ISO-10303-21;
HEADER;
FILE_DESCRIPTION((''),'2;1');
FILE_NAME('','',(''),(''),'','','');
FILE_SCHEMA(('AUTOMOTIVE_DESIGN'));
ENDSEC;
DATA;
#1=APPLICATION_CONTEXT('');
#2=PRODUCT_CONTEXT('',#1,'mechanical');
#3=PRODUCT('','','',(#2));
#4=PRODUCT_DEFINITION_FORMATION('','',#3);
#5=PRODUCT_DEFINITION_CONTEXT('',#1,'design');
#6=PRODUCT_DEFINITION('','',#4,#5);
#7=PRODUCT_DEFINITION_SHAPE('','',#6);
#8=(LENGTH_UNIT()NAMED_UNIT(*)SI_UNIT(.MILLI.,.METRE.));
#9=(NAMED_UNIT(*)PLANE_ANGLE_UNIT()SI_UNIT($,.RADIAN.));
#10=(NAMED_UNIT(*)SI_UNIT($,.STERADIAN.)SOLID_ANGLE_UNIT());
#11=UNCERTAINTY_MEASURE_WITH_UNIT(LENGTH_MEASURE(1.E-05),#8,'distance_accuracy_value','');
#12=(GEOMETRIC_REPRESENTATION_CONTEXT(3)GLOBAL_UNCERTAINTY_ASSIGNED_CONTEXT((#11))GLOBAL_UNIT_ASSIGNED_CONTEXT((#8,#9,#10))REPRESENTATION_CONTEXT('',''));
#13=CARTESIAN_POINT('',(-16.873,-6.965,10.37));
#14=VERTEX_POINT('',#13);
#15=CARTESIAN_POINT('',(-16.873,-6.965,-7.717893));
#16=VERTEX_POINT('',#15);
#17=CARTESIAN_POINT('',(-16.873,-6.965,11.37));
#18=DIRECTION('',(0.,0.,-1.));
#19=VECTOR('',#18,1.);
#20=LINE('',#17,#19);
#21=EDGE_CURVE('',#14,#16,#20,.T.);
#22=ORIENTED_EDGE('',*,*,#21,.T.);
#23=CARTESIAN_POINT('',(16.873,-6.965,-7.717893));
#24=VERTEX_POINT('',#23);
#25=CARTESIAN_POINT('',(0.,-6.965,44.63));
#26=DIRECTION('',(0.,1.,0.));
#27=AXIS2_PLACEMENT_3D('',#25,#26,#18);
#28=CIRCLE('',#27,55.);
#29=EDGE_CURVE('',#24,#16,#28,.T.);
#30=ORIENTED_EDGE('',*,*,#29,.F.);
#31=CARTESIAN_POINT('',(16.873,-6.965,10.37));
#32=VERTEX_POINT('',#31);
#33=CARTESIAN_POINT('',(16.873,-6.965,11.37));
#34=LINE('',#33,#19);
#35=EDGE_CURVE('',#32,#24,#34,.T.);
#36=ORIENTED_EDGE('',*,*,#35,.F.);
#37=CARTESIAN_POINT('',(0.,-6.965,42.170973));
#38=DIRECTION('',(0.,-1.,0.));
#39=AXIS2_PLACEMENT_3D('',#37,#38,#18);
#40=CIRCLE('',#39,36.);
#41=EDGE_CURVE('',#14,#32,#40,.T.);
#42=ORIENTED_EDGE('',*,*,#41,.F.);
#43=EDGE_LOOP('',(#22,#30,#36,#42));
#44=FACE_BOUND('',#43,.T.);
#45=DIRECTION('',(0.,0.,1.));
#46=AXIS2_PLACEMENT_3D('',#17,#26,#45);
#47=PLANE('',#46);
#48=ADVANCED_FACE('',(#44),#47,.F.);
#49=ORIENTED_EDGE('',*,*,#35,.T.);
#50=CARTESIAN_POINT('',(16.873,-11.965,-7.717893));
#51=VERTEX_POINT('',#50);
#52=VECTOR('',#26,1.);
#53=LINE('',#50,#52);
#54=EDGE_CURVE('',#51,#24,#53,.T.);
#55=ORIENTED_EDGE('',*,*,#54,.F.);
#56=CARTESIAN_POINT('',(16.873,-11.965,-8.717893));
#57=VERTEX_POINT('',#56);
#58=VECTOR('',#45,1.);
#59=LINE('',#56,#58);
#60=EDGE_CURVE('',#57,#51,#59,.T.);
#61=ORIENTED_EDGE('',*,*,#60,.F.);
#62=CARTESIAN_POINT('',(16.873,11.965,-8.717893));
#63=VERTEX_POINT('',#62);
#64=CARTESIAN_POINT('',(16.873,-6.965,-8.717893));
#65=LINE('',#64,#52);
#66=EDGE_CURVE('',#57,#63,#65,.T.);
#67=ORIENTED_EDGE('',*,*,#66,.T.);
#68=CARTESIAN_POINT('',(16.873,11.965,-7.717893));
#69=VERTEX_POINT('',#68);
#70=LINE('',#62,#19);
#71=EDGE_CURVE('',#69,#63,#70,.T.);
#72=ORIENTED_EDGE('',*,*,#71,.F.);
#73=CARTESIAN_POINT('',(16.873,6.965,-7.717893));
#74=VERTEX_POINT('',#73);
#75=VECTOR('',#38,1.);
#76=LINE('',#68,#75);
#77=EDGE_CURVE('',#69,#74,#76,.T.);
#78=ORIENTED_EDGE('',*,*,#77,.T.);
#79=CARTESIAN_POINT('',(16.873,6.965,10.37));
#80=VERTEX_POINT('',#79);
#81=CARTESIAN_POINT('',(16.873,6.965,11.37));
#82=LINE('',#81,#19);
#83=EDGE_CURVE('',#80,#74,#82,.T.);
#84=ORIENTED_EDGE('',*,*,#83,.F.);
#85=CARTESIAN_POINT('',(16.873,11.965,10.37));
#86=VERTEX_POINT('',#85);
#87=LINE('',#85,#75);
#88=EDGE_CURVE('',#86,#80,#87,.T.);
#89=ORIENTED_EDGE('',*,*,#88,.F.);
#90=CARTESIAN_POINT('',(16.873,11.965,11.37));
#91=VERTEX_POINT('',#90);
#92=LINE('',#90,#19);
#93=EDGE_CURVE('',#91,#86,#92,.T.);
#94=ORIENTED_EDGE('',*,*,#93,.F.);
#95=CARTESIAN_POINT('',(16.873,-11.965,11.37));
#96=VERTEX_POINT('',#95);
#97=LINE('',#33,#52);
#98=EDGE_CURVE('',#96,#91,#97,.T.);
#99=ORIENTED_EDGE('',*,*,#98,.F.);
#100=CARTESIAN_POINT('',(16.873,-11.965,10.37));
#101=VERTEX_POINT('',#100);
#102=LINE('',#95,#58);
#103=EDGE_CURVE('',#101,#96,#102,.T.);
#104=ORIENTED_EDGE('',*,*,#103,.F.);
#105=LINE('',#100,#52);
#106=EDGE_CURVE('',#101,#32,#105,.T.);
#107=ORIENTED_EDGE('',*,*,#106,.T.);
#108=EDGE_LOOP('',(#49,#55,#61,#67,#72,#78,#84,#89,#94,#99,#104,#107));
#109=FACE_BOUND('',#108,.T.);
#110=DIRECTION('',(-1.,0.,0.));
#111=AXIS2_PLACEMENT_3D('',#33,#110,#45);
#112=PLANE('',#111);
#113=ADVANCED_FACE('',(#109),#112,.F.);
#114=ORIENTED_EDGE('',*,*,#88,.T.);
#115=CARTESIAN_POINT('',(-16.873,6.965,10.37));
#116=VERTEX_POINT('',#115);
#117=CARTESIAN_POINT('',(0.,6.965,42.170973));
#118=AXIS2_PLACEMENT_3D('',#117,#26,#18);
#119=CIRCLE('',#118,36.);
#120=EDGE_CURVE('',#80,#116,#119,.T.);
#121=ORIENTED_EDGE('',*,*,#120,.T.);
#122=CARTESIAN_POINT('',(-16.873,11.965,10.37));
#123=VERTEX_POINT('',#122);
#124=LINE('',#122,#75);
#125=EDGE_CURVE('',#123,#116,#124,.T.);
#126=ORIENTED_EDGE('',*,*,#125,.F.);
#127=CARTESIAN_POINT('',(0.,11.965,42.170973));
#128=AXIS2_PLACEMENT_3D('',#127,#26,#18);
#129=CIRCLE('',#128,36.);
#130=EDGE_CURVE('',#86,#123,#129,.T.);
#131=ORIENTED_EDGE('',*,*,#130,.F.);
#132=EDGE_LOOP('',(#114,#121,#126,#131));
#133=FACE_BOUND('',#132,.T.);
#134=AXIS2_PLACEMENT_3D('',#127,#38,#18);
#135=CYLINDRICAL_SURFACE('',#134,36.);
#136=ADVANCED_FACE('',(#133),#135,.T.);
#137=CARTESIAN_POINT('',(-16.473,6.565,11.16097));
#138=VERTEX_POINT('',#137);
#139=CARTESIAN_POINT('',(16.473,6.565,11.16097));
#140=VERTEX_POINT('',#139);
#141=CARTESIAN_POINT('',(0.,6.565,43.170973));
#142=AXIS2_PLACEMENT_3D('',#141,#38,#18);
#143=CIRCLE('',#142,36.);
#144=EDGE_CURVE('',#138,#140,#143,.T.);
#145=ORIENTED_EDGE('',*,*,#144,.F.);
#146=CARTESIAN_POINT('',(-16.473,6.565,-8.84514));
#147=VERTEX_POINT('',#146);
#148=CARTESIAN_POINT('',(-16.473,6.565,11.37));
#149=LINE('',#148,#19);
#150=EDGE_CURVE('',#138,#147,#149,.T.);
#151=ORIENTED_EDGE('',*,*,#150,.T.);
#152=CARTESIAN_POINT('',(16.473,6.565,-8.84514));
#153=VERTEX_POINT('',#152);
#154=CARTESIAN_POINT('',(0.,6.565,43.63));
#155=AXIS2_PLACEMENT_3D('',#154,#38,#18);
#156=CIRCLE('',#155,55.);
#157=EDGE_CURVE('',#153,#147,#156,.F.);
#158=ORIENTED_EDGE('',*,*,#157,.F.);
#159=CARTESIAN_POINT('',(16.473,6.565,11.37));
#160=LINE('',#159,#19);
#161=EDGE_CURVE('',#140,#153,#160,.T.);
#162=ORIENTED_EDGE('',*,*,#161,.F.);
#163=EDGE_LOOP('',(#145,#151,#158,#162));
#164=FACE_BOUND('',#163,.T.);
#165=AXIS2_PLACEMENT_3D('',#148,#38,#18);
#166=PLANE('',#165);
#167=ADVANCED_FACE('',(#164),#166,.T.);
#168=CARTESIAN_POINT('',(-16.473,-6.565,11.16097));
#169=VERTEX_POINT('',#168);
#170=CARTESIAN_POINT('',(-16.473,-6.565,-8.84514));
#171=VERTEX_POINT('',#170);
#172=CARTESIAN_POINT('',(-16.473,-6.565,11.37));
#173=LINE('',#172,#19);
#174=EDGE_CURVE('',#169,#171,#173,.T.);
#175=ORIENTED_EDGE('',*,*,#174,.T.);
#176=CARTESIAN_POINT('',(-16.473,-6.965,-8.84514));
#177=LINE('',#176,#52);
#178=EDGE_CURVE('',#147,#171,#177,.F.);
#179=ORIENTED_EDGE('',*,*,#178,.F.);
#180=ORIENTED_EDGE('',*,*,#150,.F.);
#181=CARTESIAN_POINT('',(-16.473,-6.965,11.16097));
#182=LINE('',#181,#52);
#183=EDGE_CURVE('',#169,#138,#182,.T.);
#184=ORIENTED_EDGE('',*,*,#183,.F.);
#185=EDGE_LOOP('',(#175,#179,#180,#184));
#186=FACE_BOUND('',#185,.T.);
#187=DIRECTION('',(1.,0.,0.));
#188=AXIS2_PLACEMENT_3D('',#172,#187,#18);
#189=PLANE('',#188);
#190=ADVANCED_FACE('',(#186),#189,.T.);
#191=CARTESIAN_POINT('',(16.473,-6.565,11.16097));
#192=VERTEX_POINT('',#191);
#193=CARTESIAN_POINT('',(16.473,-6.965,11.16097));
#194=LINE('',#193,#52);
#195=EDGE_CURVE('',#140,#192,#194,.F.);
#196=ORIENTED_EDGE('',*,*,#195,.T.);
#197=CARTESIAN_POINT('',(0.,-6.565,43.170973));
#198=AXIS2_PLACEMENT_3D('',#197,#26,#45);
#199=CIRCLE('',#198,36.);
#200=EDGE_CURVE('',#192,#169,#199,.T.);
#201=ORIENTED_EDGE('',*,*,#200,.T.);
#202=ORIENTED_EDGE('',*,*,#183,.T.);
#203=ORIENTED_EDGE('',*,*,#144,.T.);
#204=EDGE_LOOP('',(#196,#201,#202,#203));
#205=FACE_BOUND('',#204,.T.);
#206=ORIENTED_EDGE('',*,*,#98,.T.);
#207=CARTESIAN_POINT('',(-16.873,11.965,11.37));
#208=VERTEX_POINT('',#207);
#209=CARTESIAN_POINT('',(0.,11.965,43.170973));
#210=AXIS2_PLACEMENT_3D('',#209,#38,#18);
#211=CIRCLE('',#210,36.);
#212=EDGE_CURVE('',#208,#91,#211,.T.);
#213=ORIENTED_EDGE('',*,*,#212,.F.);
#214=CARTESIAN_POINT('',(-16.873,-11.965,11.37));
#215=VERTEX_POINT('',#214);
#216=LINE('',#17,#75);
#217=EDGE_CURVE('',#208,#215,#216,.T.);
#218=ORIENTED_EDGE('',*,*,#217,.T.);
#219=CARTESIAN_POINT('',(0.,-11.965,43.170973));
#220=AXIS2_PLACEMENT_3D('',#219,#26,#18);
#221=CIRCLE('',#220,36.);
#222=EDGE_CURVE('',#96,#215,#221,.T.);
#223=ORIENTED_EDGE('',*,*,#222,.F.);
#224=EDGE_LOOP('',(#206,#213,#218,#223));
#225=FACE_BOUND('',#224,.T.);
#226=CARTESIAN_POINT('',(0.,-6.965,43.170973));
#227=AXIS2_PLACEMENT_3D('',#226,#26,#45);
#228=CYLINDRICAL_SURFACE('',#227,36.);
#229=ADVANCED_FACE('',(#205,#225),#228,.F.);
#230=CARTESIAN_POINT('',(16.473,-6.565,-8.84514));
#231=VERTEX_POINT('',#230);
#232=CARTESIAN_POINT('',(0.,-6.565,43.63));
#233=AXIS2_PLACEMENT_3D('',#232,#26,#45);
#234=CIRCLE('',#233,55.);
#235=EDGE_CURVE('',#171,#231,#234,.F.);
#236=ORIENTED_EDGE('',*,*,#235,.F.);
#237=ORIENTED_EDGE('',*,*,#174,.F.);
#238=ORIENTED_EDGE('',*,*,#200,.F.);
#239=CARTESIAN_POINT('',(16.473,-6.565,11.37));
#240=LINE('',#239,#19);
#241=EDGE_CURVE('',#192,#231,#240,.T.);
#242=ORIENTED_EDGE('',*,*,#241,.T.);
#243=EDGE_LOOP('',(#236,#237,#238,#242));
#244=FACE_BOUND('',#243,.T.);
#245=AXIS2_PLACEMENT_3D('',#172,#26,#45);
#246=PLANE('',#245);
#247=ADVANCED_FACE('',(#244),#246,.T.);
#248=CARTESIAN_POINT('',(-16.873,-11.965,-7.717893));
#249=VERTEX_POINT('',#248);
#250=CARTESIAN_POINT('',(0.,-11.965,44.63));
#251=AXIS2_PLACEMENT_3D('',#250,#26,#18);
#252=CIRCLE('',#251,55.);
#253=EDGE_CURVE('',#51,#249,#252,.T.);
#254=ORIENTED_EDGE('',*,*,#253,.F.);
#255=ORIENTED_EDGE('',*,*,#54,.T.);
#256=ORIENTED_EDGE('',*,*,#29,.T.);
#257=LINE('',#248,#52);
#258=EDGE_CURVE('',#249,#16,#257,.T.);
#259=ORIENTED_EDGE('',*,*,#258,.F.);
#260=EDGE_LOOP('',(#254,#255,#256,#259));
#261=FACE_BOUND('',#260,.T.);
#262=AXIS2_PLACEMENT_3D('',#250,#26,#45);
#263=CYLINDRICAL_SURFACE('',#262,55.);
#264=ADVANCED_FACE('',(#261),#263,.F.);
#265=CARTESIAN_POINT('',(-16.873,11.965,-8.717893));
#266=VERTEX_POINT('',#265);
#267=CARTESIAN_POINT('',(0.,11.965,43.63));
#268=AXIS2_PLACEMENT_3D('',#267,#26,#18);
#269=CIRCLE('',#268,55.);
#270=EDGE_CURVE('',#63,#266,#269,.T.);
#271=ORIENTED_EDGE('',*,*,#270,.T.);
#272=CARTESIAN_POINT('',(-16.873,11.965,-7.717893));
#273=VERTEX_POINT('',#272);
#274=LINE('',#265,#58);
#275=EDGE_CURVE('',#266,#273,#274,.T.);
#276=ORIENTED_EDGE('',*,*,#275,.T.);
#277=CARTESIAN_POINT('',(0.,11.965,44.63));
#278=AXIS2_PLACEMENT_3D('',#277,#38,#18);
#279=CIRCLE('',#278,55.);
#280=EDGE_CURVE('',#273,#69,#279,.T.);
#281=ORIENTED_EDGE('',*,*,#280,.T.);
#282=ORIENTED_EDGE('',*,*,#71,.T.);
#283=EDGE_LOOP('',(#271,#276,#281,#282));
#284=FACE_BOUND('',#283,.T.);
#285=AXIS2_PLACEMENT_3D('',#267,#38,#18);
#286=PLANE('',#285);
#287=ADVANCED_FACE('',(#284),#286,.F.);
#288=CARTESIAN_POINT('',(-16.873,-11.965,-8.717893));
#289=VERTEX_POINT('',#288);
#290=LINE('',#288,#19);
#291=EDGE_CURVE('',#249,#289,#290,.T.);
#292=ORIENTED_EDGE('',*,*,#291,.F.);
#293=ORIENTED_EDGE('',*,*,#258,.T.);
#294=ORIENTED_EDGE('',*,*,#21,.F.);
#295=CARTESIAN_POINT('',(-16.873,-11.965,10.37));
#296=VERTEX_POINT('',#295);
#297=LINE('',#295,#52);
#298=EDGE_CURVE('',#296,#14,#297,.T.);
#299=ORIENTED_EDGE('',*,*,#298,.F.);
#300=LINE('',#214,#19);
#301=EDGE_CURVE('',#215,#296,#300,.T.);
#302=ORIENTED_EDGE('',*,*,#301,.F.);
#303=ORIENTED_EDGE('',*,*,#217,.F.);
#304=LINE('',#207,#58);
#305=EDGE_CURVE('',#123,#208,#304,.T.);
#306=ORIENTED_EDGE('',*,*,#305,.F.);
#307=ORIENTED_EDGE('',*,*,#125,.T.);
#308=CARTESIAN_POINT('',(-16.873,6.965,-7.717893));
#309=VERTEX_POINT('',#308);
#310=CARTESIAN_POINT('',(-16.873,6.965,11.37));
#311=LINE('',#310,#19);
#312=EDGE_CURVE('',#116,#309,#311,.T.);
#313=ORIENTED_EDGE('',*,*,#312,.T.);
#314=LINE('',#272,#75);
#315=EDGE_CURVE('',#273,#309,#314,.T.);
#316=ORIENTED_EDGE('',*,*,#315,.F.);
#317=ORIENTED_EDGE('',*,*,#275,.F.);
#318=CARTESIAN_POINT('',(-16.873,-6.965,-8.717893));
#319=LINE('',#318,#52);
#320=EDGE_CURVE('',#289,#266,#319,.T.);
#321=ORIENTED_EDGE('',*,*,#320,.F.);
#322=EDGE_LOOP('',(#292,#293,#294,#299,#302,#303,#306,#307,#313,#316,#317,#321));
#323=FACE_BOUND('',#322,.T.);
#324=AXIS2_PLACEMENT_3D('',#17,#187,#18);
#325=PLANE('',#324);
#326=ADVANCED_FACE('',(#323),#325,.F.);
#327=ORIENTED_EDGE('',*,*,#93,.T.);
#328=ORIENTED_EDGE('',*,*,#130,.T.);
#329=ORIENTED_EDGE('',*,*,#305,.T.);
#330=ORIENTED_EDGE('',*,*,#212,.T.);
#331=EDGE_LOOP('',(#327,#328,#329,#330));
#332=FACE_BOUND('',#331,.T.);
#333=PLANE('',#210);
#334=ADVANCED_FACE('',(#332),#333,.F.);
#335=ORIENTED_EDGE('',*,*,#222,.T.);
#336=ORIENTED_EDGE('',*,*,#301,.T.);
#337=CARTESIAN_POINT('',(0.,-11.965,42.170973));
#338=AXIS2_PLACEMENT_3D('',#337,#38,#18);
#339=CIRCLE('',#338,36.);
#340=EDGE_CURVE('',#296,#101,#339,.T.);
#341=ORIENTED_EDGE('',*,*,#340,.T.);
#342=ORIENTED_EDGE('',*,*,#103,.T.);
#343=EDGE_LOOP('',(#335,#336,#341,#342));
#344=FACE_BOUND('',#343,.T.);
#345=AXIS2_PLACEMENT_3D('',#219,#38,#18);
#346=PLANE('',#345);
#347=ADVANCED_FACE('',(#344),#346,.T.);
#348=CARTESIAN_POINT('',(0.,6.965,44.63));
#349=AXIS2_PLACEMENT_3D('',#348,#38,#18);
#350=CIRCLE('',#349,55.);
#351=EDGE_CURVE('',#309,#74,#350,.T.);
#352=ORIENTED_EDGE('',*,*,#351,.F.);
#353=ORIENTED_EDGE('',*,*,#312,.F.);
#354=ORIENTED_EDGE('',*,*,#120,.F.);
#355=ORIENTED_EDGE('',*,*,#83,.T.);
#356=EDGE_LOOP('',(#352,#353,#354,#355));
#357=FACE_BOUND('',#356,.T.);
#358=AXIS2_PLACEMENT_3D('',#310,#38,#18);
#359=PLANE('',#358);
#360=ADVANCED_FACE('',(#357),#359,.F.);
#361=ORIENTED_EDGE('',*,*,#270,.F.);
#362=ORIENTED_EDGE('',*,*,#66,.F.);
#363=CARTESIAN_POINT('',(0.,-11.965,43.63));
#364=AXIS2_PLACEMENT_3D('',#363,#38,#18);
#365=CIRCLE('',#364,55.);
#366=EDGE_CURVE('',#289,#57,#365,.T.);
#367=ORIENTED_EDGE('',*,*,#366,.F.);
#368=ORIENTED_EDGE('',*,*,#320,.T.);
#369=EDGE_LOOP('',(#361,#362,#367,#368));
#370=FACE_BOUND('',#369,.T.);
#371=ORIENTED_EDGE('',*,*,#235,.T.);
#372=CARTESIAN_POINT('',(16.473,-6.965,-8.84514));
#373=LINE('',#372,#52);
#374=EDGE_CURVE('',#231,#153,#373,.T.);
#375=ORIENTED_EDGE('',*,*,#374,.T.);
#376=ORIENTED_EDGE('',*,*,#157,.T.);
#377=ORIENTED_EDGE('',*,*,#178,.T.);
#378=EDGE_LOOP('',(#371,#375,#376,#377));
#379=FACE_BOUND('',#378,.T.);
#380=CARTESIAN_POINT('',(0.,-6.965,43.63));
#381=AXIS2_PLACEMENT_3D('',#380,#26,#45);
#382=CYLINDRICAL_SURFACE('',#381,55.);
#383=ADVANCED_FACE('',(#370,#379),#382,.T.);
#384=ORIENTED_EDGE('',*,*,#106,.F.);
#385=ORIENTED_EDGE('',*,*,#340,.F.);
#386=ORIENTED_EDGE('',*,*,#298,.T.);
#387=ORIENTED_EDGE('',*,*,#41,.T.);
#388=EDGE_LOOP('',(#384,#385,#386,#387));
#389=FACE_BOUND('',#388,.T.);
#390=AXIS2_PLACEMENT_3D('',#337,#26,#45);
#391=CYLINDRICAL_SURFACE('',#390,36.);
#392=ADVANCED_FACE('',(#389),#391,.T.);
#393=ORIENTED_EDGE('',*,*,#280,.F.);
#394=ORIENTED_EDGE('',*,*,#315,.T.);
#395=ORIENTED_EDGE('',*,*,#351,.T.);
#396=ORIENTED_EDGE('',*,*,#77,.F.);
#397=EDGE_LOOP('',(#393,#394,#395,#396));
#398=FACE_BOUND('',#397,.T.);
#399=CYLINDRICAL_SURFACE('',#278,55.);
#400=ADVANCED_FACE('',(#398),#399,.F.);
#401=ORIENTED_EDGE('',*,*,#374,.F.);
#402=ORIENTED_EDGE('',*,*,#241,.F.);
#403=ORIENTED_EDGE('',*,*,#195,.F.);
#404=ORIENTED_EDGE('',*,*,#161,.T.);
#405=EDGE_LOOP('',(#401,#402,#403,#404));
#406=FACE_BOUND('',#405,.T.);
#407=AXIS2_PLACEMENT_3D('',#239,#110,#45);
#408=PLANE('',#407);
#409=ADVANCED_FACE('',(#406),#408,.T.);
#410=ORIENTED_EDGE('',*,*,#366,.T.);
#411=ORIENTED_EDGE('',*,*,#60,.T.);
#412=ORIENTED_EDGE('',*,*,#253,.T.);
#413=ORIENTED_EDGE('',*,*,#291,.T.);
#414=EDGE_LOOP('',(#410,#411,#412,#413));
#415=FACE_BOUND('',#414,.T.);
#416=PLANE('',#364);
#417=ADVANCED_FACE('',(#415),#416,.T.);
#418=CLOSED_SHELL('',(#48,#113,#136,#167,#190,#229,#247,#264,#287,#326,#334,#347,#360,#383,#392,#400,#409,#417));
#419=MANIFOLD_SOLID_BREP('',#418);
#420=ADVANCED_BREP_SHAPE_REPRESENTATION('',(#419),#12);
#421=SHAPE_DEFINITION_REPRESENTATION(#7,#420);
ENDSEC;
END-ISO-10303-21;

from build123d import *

# Parameters (mm, degrees)
SKETCH1_W           = 33.746
SKETCH1_H           = 13.93
SKETCH1_W_2         = 32.946
SKETCH1_H_2         = 13.13
BOSS_EXTRUDE1_DEPTH = 11.37
CUT_EXTRUDE1_DEPTH  = 25.658060122
BOSS_EXTRUDE2_DEPTH = 5
BOSS_EXTRUDE3_DEPTH = 5


with BuildPart() as part:
    # Sketch1 → Boss-Extrude1 (new, symmetric)
    with BuildSketch(Plane.XY):
        Rectangle(SKETCH1_W, SKETCH1_H)
        Rectangle(SKETCH1_W_2, SKETCH1_H_2, mode=Mode.SUBTRACT)
    extrude(amount=BOSS_EXTRUDE1_DEPTH, both=True)

    # Sketch3 → Cut-Extrude1 (cut, through all)
    with BuildSketch(Plane(origin=(0, 6.965, 0), x_dir=(1, 0, 0), z_dir=(0, 1, 0))):
        with BuildLine():
            ThreePointArc((0, 11.37), (8.54007907, 10.702927857), (16.873, 8.717892708))
            Line((16.873, 8.717892708), (16.873, 11.37))
            Line((16.873, 11.37), (0, 11.37))
        make_face()
        with BuildLine():
            Line((-16.873, 11.37), (-16.873, 8.717892708))
            ThreePointArc((-16.873, 8.717892708), (-8.54007907, 10.702927857), (0, 11.37))
            Line((0, 11.37), (-16.873, 11.37))
        make_face()
        with BuildLine():
            ThreePointArc((16.873, -11.37), (0, -7.1709728), (-16.873, -11.37))
            Line((-16.873, -11.37), (16.873, -11.37))
        make_face()
    extrude(amount=-CUT_EXTRUDE1_DEPTH, mode=Mode.SUBTRACT)

    # Sketch4 → Boss-Extrude2 (add)
    with BuildSketch(Plane(origin=(0, 6.965, 0), x_dir=(1, 0, 0), z_dir=(0, 1, 0))):
        with BuildLine():
            Line((-16.873, -11.37), (-16.873, -10.37))
            ThreePointArc((-16.873, -10.37), (0, -6.1709728), (16.873, -10.37))
            Line((16.873, -10.37), (16.873, -11.37))
            ThreePointArc((16.873, -11.37), (0, -7.1709728), (-16.873, -11.37))
        make_face()
        with BuildLine():
            Line((-16.873, 8.717892708), (-16.873, 7.717892708))
            ThreePointArc((-16.873, 7.717892708), (0, 10.37), (16.873, 7.717892708))
            Line((16.873, 7.717892708), (16.873, 8.717892708))
            ThreePointArc((16.873, 8.717892708), (0, 11.37), (-16.873, 8.717892708))
        make_face()
    extrude(amount=BOSS_EXTRUDE2_DEPTH)

    # Sketch5 → Boss-Extrude3 (add)
    with BuildSketch(Plane.XZ.offset(6.965)):
        with BuildLine():
            Line((-16.873, 11.37), (-16.873, 10.37))
            ThreePointArc((-16.873, 10.37), (0, 6.1709728), (16.873, 10.37))
            Line((16.873, 10.37), (16.873, 11.37))
            ThreePointArc((16.873, 11.37), (0, 7.1709728), (-16.873, 11.37))
        make_face()
        with BuildLine():
            Line((-16.873, -8.717892708), (-16.873, -7.717892708))
            ThreePointArc((-16.873, -7.717892708), (0, -10.37), (16.873, -7.717892708))
            Line((16.873, -7.717892708), (16.873, -8.717892708))
            ThreePointArc((16.873, -8.717892708), (0, -11.37), (-16.873, -8.717892708))
        make_face()
    extrude(amount=BOSS_EXTRUDE3_DEPTH)


solid = part.part
